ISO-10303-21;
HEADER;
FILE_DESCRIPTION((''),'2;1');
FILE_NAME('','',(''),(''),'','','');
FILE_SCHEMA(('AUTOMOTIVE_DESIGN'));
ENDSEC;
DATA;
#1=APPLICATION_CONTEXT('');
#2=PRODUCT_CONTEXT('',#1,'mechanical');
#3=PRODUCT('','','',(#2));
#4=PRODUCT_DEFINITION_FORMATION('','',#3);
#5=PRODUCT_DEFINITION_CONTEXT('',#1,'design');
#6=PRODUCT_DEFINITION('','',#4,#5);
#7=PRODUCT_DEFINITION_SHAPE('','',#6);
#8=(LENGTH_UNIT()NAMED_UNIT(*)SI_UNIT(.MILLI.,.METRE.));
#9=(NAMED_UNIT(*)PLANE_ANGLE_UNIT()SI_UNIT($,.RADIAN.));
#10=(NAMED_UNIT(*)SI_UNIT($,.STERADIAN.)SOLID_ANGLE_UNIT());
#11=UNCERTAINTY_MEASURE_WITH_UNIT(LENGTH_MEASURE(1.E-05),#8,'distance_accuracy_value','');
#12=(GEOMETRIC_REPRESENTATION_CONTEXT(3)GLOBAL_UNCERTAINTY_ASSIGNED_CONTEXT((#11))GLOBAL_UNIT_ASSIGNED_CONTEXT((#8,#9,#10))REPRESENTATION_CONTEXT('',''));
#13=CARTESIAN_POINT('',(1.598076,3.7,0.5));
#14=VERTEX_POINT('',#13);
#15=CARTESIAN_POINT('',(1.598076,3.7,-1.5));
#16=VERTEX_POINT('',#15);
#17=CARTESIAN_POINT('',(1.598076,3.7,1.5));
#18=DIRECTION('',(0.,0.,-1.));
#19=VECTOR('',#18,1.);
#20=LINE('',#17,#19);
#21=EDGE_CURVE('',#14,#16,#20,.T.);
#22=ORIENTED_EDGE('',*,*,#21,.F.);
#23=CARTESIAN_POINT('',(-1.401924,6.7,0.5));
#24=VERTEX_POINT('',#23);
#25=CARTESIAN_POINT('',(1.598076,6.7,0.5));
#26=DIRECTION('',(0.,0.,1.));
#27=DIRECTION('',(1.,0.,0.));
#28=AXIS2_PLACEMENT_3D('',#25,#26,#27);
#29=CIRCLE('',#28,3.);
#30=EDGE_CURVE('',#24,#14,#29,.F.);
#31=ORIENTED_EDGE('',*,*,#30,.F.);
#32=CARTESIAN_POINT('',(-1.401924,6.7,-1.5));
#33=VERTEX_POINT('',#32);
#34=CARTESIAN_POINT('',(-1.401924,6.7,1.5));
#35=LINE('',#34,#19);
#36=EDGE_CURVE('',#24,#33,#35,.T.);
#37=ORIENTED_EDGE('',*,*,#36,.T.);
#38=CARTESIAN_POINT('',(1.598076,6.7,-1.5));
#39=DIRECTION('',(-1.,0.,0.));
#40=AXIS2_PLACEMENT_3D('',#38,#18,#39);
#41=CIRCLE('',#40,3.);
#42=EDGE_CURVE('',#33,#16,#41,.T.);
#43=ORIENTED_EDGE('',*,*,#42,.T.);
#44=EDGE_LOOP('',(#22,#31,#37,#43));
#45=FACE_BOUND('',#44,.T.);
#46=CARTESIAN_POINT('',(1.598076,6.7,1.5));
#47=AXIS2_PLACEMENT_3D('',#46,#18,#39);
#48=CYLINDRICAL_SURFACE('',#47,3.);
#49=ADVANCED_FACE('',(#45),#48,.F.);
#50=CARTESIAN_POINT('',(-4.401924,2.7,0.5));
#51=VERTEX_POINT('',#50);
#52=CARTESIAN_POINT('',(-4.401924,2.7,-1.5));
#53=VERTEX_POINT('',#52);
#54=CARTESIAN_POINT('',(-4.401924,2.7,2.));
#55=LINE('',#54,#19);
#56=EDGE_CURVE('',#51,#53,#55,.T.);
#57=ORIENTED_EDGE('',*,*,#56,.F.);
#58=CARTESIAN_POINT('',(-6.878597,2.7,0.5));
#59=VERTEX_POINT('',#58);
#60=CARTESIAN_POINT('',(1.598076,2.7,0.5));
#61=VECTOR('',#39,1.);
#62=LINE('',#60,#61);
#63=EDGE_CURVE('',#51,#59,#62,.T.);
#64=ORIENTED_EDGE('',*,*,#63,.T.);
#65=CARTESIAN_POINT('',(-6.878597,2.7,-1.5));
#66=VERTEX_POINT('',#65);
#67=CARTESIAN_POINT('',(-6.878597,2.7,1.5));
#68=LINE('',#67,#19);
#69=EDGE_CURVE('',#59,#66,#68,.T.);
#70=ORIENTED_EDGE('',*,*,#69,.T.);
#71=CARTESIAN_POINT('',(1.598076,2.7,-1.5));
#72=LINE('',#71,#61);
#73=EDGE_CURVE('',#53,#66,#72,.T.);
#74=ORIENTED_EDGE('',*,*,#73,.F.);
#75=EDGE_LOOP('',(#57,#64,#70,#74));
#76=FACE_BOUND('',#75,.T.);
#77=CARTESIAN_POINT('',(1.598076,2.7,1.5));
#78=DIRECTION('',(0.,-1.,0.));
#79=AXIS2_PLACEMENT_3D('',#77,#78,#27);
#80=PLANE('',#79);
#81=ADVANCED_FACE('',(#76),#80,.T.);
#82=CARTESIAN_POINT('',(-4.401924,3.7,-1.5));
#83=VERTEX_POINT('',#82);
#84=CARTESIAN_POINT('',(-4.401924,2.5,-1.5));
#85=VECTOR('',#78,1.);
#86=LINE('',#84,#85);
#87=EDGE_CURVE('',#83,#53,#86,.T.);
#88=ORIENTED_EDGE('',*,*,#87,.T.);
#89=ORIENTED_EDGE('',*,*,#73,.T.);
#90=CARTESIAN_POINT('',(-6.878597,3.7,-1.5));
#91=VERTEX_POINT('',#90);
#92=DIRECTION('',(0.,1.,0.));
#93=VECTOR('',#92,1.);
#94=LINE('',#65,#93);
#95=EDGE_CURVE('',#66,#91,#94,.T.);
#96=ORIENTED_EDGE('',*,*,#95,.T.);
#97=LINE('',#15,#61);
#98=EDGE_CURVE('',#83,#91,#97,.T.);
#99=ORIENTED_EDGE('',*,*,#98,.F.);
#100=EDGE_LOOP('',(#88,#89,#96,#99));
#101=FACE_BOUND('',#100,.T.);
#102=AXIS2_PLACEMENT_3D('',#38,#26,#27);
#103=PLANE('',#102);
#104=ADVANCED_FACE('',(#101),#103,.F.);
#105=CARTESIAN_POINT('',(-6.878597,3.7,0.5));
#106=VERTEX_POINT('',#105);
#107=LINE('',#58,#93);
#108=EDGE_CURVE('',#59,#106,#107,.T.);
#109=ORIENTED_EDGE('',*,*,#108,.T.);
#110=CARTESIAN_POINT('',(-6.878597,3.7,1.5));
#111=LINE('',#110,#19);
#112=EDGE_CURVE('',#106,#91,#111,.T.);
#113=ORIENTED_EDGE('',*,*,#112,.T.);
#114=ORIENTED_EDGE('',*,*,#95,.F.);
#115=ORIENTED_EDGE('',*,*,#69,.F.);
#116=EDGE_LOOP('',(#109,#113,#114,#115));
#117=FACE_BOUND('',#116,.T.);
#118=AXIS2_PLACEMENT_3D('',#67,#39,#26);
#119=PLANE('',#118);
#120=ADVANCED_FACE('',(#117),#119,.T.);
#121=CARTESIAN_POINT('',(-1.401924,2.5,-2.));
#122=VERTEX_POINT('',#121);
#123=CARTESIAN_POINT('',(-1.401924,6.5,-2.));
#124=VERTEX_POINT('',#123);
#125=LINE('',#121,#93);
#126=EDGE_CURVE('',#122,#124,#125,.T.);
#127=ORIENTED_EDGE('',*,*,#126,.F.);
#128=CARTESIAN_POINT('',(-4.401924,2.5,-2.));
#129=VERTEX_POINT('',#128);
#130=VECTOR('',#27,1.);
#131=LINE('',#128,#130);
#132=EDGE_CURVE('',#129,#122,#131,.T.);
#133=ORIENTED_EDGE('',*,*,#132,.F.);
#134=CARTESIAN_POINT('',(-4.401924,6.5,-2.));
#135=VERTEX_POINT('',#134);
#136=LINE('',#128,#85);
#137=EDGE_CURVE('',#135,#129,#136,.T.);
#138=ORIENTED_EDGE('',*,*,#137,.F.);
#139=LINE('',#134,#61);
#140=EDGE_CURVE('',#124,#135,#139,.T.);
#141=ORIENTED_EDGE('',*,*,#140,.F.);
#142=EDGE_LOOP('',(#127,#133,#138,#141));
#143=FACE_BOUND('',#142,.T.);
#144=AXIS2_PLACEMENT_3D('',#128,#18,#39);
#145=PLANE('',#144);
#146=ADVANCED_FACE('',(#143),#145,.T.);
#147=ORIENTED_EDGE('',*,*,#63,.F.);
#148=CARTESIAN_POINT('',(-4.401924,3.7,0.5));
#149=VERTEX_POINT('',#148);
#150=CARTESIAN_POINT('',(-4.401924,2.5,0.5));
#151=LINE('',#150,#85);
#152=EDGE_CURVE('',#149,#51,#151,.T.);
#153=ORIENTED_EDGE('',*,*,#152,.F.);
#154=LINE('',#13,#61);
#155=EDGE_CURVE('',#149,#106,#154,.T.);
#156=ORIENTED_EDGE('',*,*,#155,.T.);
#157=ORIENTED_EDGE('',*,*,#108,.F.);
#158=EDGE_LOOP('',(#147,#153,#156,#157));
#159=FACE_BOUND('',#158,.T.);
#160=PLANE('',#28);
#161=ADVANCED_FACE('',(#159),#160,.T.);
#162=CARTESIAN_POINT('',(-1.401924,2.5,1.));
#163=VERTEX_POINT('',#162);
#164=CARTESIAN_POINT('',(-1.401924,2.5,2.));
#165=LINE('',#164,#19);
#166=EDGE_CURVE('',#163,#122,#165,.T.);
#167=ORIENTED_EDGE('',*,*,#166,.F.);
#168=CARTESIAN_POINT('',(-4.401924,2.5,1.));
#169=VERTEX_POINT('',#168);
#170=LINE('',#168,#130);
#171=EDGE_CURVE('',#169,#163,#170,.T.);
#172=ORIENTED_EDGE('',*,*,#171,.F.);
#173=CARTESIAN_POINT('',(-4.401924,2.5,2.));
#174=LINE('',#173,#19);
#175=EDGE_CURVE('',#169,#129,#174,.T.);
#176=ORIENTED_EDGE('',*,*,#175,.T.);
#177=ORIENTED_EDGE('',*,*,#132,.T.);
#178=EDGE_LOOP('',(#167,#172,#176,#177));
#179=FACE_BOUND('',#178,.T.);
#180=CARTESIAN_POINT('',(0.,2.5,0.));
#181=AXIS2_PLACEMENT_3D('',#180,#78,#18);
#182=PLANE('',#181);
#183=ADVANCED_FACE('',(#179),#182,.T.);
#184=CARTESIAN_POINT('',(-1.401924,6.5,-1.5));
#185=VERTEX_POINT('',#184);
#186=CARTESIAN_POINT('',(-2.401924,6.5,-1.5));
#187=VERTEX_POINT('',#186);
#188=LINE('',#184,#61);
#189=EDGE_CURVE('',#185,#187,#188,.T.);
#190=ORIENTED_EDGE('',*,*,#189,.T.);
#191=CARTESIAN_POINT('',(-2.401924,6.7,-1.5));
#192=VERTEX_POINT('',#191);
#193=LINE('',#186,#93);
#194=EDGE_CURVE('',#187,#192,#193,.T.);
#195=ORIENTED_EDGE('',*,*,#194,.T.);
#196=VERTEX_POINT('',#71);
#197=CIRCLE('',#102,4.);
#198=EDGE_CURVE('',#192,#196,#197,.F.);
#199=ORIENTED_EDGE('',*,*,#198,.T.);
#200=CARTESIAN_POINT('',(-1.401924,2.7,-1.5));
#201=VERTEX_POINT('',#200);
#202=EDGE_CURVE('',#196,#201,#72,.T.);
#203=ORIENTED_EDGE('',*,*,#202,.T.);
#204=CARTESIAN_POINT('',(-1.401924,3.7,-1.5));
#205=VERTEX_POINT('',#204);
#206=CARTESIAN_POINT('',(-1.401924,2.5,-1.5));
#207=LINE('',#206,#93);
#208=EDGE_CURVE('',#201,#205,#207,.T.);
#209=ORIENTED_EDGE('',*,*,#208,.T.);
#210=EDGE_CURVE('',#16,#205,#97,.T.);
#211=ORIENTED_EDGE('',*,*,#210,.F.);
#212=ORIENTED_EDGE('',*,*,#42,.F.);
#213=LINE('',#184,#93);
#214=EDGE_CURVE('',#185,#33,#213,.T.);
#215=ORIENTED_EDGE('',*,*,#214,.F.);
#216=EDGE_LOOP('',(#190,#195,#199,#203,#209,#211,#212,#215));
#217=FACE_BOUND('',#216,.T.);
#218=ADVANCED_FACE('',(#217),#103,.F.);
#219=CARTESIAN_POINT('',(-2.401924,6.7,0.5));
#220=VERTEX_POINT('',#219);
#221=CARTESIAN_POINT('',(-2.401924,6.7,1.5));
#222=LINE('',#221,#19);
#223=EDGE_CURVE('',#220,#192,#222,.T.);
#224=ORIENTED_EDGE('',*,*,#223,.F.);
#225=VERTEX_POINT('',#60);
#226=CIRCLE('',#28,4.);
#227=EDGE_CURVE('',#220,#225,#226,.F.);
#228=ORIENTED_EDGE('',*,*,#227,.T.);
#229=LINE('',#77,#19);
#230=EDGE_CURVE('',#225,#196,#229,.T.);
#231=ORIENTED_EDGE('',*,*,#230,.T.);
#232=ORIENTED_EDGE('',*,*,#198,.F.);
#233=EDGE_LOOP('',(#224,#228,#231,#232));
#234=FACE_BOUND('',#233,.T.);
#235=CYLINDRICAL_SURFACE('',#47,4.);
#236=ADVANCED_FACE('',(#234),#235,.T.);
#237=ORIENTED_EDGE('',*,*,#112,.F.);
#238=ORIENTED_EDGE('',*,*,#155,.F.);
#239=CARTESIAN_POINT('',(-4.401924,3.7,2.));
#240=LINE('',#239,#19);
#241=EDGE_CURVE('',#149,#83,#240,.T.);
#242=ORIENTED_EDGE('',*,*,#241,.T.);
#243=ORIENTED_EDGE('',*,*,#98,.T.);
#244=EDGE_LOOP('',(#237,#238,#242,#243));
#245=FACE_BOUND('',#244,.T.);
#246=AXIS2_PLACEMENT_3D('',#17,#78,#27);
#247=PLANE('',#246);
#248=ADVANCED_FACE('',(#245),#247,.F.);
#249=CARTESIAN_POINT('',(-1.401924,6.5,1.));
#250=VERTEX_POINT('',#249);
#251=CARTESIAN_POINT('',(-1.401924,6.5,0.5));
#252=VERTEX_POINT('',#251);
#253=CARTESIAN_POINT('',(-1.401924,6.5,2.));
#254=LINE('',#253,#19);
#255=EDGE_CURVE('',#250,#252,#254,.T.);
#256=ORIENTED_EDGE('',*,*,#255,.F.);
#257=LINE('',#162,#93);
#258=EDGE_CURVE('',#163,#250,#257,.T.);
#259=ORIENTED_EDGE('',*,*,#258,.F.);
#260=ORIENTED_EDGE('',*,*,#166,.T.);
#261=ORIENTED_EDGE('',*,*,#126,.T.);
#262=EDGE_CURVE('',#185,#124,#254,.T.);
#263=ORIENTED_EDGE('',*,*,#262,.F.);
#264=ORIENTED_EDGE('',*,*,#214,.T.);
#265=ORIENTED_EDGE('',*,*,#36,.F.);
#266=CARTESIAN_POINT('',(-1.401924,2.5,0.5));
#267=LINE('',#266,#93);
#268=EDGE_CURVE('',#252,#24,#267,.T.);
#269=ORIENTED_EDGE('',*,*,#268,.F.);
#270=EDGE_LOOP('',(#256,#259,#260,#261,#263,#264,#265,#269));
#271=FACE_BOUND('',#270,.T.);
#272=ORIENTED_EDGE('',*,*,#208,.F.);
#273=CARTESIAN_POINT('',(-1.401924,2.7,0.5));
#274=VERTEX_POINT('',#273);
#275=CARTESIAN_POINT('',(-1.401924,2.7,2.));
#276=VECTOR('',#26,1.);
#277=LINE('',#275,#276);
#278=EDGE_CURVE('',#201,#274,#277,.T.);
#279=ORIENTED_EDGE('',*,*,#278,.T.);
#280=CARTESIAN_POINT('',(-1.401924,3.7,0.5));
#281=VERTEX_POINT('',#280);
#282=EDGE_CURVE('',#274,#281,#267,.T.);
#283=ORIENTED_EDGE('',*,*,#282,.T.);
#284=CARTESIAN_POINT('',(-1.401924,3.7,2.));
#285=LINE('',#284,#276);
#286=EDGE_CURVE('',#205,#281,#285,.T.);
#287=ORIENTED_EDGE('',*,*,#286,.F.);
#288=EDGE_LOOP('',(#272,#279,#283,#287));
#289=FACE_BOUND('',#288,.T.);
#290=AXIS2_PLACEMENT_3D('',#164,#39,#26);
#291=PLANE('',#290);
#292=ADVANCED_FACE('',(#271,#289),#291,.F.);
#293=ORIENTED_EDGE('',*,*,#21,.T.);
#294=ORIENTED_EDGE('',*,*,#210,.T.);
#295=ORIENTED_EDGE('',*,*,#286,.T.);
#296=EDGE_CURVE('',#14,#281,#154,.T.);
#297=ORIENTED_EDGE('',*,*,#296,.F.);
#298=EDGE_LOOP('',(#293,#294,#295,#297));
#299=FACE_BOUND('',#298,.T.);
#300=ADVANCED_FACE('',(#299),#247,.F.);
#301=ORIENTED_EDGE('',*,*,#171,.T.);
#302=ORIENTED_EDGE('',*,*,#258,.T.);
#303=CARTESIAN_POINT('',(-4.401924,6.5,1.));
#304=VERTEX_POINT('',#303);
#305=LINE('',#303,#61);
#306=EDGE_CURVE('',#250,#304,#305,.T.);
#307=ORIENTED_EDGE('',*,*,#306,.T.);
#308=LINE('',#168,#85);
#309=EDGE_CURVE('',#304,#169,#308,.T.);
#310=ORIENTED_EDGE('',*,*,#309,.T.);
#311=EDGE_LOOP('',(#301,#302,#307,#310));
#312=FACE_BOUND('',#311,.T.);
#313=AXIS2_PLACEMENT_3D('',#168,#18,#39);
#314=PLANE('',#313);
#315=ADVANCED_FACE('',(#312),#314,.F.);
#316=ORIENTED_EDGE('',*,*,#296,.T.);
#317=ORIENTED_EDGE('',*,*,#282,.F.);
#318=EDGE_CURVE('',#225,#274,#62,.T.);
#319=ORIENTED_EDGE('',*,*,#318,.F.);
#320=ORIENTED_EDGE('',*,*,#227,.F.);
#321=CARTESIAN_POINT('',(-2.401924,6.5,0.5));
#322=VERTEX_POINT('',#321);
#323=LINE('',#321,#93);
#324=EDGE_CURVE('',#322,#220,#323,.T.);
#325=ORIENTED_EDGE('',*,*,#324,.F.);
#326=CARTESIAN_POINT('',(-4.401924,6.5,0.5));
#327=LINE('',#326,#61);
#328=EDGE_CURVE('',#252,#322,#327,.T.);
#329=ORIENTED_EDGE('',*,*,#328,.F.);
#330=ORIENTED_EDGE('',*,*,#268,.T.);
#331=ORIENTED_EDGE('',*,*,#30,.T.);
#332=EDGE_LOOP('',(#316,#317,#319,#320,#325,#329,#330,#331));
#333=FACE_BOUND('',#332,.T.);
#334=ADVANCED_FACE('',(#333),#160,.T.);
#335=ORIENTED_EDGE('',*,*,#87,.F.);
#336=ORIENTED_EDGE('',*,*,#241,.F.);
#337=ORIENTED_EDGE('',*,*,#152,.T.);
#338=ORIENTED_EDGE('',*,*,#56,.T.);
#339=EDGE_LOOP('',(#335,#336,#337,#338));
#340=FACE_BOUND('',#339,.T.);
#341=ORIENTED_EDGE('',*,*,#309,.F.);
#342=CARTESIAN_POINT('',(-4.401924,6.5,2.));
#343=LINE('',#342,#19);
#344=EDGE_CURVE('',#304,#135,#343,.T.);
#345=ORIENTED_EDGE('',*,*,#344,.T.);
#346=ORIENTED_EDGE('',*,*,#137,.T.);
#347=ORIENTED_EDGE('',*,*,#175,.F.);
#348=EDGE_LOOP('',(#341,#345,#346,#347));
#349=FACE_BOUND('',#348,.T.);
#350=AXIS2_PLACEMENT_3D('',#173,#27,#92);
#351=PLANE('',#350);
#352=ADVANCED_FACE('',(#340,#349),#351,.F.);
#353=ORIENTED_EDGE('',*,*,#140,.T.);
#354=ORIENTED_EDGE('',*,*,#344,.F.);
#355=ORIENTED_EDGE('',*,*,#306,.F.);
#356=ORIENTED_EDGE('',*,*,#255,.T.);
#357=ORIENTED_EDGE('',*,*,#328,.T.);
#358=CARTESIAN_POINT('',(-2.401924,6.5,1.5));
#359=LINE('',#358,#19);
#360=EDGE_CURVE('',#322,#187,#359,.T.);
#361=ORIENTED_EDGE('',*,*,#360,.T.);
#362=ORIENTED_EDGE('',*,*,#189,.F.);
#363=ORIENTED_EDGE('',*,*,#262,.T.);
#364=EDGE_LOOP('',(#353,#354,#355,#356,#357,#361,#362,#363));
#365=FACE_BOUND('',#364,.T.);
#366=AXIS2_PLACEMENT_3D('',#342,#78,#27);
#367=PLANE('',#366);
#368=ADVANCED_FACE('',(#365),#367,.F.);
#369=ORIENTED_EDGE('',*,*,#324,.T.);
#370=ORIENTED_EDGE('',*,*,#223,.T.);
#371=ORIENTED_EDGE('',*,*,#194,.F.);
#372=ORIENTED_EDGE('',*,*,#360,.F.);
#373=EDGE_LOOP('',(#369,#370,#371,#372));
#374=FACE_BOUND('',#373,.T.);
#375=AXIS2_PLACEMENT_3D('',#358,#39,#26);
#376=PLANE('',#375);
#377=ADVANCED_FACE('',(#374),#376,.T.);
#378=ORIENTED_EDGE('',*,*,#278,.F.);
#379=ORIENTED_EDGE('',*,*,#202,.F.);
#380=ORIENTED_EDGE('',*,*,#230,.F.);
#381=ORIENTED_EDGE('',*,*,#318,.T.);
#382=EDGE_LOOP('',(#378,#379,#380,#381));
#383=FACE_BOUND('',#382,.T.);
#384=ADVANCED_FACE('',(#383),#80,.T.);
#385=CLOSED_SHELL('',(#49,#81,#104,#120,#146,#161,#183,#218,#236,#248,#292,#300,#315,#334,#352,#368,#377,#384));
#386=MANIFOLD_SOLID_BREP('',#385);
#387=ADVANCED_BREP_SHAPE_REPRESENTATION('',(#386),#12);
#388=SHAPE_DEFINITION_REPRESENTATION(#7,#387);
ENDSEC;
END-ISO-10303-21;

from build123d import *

# Parameters (mm, degrees)
SKETCH1_W           = 20
SKETCH1_H           = 20
EXTRUDE1_DEPTH      = 1
SKETCH2_W           = 20
SKETCH2_H           = 20
EXTRUDE2_DEPTH      = 1.5
EXTRUDE2_TAPER      = 75
SKETCH3_W           = 3
SKETCH3_H           = 4
EXTRUDE3_DEPTH      = 2
EXTRUDE_THIN1_DEPTH = 1.5
MOVE_FACE1_BY       = 1
MOVE_FACE1_2_BY     = 1
MOVE_FACE1_3_BY     = 1
SKETCH5_W           = 26.322025843
SKETCH5_H           = 24.141830142
CUT_EXTRUDE1_DEPTH  = 10


with BuildPart() as part:
    # Sketch1 → Extrude1 (new body)
    with BuildSketch(Plane(origin=(0, 0, 0), x_dir=(1, 0, 0), z_dir=(0, 1, 0))):
        Rectangle(SKETCH1_W, SKETCH1_H)
    extrude(amount=EXTRUDE1_DEPTH)

    # Sketch2 → Extrude2 (add)
    with BuildSketch(Plane(origin=(0, 1, 0), x_dir=(-1, 0, 0), z_dir=(0, 1, 0))):
        Rectangle(SKETCH2_W, SKETCH2_H)
    extrude(amount=EXTRUDE2_DEPTH, taper=EXTRUDE2_TAPER)

    # Sketch3 → Extrude3 (add, symmetric)
    with BuildSketch(Plane.XY):
        with Locations((-2.901923789, 4.5)):
            Rectangle(SKETCH3_W, SKETCH3_H)
    extrude(amount=EXTRUDE3_DEPTH, both=True)

    # Sketch4 → Extrude-Thin1 (add, symmetric)
    with BuildSketch(Plane.XY):
        with BuildLine():
            Line((-1.401923789, 6.5), (-1.401923789, 6.7))
            ThreePointArc((-1.401923789, 6.7), (3.719396555, 8.821320344), (1.598076211, 3.7))
            Line((1.598076211, 3.7), (-6.87859684, 3.7))
            Line((-6.87859684, 3.7), (-6.87859684, 2.7))
            Line((-6.87859684, 2.7), (1.598076211, 2.7))
            ThreePointArc((1.598076211, 2.7), (4.426503336, 9.528427125), (-2.401923789, 6.7))
            Line((-2.401923789, 6.7), (-2.401923789, 6.5))
            Line((-2.401923789, 6.5), (-1.401923789, 6.5))
        make_face()
    extrude(amount=EXTRUDE_THIN1_DEPTH, both=True)

    # Move Face1: a face moved inward by 1.0
    extrude(part.faces().sort_by_distance((-2.901923789, 4.5, 2))[0], amount=MOVE_FACE1_BY, dir=(0, 0, -1), mode=Mode.SUBTRACT)

    # Move Face1 2: a face moved inward by 1.0
    extrude(part.faces().sort_by_distance((1.598076211, 3.5, 1.5))[0], amount=MOVE_FACE1_2_BY, dir=(0, 0, -1), mode=Mode.SUBTRACT)

    # Move Face1 3: a face moved inward by 1.0
    extrude(part.faces().sort_by_distance((-5.640260314, 3.2, 1.5))[0], amount=MOVE_FACE1_3_BY, dir=(0, 0, -1), mode=Mode.SUBTRACT)

    # Sketch5 → Cut-Extrude1 (cut)
    with BuildSketch(Plane(origin=(0, 2.5, 0), x_dir=(1, 0, 0), z_dir=(0, 1, 0))):
        with Locations((0.290185678, -1.072850133)):
            Rectangle(SKETCH5_W, SKETCH5_H)
    extrude(amount=-CUT_EXTRUDE1_DEPTH, mode=Mode.SUBTRACT)


solid = part.part
